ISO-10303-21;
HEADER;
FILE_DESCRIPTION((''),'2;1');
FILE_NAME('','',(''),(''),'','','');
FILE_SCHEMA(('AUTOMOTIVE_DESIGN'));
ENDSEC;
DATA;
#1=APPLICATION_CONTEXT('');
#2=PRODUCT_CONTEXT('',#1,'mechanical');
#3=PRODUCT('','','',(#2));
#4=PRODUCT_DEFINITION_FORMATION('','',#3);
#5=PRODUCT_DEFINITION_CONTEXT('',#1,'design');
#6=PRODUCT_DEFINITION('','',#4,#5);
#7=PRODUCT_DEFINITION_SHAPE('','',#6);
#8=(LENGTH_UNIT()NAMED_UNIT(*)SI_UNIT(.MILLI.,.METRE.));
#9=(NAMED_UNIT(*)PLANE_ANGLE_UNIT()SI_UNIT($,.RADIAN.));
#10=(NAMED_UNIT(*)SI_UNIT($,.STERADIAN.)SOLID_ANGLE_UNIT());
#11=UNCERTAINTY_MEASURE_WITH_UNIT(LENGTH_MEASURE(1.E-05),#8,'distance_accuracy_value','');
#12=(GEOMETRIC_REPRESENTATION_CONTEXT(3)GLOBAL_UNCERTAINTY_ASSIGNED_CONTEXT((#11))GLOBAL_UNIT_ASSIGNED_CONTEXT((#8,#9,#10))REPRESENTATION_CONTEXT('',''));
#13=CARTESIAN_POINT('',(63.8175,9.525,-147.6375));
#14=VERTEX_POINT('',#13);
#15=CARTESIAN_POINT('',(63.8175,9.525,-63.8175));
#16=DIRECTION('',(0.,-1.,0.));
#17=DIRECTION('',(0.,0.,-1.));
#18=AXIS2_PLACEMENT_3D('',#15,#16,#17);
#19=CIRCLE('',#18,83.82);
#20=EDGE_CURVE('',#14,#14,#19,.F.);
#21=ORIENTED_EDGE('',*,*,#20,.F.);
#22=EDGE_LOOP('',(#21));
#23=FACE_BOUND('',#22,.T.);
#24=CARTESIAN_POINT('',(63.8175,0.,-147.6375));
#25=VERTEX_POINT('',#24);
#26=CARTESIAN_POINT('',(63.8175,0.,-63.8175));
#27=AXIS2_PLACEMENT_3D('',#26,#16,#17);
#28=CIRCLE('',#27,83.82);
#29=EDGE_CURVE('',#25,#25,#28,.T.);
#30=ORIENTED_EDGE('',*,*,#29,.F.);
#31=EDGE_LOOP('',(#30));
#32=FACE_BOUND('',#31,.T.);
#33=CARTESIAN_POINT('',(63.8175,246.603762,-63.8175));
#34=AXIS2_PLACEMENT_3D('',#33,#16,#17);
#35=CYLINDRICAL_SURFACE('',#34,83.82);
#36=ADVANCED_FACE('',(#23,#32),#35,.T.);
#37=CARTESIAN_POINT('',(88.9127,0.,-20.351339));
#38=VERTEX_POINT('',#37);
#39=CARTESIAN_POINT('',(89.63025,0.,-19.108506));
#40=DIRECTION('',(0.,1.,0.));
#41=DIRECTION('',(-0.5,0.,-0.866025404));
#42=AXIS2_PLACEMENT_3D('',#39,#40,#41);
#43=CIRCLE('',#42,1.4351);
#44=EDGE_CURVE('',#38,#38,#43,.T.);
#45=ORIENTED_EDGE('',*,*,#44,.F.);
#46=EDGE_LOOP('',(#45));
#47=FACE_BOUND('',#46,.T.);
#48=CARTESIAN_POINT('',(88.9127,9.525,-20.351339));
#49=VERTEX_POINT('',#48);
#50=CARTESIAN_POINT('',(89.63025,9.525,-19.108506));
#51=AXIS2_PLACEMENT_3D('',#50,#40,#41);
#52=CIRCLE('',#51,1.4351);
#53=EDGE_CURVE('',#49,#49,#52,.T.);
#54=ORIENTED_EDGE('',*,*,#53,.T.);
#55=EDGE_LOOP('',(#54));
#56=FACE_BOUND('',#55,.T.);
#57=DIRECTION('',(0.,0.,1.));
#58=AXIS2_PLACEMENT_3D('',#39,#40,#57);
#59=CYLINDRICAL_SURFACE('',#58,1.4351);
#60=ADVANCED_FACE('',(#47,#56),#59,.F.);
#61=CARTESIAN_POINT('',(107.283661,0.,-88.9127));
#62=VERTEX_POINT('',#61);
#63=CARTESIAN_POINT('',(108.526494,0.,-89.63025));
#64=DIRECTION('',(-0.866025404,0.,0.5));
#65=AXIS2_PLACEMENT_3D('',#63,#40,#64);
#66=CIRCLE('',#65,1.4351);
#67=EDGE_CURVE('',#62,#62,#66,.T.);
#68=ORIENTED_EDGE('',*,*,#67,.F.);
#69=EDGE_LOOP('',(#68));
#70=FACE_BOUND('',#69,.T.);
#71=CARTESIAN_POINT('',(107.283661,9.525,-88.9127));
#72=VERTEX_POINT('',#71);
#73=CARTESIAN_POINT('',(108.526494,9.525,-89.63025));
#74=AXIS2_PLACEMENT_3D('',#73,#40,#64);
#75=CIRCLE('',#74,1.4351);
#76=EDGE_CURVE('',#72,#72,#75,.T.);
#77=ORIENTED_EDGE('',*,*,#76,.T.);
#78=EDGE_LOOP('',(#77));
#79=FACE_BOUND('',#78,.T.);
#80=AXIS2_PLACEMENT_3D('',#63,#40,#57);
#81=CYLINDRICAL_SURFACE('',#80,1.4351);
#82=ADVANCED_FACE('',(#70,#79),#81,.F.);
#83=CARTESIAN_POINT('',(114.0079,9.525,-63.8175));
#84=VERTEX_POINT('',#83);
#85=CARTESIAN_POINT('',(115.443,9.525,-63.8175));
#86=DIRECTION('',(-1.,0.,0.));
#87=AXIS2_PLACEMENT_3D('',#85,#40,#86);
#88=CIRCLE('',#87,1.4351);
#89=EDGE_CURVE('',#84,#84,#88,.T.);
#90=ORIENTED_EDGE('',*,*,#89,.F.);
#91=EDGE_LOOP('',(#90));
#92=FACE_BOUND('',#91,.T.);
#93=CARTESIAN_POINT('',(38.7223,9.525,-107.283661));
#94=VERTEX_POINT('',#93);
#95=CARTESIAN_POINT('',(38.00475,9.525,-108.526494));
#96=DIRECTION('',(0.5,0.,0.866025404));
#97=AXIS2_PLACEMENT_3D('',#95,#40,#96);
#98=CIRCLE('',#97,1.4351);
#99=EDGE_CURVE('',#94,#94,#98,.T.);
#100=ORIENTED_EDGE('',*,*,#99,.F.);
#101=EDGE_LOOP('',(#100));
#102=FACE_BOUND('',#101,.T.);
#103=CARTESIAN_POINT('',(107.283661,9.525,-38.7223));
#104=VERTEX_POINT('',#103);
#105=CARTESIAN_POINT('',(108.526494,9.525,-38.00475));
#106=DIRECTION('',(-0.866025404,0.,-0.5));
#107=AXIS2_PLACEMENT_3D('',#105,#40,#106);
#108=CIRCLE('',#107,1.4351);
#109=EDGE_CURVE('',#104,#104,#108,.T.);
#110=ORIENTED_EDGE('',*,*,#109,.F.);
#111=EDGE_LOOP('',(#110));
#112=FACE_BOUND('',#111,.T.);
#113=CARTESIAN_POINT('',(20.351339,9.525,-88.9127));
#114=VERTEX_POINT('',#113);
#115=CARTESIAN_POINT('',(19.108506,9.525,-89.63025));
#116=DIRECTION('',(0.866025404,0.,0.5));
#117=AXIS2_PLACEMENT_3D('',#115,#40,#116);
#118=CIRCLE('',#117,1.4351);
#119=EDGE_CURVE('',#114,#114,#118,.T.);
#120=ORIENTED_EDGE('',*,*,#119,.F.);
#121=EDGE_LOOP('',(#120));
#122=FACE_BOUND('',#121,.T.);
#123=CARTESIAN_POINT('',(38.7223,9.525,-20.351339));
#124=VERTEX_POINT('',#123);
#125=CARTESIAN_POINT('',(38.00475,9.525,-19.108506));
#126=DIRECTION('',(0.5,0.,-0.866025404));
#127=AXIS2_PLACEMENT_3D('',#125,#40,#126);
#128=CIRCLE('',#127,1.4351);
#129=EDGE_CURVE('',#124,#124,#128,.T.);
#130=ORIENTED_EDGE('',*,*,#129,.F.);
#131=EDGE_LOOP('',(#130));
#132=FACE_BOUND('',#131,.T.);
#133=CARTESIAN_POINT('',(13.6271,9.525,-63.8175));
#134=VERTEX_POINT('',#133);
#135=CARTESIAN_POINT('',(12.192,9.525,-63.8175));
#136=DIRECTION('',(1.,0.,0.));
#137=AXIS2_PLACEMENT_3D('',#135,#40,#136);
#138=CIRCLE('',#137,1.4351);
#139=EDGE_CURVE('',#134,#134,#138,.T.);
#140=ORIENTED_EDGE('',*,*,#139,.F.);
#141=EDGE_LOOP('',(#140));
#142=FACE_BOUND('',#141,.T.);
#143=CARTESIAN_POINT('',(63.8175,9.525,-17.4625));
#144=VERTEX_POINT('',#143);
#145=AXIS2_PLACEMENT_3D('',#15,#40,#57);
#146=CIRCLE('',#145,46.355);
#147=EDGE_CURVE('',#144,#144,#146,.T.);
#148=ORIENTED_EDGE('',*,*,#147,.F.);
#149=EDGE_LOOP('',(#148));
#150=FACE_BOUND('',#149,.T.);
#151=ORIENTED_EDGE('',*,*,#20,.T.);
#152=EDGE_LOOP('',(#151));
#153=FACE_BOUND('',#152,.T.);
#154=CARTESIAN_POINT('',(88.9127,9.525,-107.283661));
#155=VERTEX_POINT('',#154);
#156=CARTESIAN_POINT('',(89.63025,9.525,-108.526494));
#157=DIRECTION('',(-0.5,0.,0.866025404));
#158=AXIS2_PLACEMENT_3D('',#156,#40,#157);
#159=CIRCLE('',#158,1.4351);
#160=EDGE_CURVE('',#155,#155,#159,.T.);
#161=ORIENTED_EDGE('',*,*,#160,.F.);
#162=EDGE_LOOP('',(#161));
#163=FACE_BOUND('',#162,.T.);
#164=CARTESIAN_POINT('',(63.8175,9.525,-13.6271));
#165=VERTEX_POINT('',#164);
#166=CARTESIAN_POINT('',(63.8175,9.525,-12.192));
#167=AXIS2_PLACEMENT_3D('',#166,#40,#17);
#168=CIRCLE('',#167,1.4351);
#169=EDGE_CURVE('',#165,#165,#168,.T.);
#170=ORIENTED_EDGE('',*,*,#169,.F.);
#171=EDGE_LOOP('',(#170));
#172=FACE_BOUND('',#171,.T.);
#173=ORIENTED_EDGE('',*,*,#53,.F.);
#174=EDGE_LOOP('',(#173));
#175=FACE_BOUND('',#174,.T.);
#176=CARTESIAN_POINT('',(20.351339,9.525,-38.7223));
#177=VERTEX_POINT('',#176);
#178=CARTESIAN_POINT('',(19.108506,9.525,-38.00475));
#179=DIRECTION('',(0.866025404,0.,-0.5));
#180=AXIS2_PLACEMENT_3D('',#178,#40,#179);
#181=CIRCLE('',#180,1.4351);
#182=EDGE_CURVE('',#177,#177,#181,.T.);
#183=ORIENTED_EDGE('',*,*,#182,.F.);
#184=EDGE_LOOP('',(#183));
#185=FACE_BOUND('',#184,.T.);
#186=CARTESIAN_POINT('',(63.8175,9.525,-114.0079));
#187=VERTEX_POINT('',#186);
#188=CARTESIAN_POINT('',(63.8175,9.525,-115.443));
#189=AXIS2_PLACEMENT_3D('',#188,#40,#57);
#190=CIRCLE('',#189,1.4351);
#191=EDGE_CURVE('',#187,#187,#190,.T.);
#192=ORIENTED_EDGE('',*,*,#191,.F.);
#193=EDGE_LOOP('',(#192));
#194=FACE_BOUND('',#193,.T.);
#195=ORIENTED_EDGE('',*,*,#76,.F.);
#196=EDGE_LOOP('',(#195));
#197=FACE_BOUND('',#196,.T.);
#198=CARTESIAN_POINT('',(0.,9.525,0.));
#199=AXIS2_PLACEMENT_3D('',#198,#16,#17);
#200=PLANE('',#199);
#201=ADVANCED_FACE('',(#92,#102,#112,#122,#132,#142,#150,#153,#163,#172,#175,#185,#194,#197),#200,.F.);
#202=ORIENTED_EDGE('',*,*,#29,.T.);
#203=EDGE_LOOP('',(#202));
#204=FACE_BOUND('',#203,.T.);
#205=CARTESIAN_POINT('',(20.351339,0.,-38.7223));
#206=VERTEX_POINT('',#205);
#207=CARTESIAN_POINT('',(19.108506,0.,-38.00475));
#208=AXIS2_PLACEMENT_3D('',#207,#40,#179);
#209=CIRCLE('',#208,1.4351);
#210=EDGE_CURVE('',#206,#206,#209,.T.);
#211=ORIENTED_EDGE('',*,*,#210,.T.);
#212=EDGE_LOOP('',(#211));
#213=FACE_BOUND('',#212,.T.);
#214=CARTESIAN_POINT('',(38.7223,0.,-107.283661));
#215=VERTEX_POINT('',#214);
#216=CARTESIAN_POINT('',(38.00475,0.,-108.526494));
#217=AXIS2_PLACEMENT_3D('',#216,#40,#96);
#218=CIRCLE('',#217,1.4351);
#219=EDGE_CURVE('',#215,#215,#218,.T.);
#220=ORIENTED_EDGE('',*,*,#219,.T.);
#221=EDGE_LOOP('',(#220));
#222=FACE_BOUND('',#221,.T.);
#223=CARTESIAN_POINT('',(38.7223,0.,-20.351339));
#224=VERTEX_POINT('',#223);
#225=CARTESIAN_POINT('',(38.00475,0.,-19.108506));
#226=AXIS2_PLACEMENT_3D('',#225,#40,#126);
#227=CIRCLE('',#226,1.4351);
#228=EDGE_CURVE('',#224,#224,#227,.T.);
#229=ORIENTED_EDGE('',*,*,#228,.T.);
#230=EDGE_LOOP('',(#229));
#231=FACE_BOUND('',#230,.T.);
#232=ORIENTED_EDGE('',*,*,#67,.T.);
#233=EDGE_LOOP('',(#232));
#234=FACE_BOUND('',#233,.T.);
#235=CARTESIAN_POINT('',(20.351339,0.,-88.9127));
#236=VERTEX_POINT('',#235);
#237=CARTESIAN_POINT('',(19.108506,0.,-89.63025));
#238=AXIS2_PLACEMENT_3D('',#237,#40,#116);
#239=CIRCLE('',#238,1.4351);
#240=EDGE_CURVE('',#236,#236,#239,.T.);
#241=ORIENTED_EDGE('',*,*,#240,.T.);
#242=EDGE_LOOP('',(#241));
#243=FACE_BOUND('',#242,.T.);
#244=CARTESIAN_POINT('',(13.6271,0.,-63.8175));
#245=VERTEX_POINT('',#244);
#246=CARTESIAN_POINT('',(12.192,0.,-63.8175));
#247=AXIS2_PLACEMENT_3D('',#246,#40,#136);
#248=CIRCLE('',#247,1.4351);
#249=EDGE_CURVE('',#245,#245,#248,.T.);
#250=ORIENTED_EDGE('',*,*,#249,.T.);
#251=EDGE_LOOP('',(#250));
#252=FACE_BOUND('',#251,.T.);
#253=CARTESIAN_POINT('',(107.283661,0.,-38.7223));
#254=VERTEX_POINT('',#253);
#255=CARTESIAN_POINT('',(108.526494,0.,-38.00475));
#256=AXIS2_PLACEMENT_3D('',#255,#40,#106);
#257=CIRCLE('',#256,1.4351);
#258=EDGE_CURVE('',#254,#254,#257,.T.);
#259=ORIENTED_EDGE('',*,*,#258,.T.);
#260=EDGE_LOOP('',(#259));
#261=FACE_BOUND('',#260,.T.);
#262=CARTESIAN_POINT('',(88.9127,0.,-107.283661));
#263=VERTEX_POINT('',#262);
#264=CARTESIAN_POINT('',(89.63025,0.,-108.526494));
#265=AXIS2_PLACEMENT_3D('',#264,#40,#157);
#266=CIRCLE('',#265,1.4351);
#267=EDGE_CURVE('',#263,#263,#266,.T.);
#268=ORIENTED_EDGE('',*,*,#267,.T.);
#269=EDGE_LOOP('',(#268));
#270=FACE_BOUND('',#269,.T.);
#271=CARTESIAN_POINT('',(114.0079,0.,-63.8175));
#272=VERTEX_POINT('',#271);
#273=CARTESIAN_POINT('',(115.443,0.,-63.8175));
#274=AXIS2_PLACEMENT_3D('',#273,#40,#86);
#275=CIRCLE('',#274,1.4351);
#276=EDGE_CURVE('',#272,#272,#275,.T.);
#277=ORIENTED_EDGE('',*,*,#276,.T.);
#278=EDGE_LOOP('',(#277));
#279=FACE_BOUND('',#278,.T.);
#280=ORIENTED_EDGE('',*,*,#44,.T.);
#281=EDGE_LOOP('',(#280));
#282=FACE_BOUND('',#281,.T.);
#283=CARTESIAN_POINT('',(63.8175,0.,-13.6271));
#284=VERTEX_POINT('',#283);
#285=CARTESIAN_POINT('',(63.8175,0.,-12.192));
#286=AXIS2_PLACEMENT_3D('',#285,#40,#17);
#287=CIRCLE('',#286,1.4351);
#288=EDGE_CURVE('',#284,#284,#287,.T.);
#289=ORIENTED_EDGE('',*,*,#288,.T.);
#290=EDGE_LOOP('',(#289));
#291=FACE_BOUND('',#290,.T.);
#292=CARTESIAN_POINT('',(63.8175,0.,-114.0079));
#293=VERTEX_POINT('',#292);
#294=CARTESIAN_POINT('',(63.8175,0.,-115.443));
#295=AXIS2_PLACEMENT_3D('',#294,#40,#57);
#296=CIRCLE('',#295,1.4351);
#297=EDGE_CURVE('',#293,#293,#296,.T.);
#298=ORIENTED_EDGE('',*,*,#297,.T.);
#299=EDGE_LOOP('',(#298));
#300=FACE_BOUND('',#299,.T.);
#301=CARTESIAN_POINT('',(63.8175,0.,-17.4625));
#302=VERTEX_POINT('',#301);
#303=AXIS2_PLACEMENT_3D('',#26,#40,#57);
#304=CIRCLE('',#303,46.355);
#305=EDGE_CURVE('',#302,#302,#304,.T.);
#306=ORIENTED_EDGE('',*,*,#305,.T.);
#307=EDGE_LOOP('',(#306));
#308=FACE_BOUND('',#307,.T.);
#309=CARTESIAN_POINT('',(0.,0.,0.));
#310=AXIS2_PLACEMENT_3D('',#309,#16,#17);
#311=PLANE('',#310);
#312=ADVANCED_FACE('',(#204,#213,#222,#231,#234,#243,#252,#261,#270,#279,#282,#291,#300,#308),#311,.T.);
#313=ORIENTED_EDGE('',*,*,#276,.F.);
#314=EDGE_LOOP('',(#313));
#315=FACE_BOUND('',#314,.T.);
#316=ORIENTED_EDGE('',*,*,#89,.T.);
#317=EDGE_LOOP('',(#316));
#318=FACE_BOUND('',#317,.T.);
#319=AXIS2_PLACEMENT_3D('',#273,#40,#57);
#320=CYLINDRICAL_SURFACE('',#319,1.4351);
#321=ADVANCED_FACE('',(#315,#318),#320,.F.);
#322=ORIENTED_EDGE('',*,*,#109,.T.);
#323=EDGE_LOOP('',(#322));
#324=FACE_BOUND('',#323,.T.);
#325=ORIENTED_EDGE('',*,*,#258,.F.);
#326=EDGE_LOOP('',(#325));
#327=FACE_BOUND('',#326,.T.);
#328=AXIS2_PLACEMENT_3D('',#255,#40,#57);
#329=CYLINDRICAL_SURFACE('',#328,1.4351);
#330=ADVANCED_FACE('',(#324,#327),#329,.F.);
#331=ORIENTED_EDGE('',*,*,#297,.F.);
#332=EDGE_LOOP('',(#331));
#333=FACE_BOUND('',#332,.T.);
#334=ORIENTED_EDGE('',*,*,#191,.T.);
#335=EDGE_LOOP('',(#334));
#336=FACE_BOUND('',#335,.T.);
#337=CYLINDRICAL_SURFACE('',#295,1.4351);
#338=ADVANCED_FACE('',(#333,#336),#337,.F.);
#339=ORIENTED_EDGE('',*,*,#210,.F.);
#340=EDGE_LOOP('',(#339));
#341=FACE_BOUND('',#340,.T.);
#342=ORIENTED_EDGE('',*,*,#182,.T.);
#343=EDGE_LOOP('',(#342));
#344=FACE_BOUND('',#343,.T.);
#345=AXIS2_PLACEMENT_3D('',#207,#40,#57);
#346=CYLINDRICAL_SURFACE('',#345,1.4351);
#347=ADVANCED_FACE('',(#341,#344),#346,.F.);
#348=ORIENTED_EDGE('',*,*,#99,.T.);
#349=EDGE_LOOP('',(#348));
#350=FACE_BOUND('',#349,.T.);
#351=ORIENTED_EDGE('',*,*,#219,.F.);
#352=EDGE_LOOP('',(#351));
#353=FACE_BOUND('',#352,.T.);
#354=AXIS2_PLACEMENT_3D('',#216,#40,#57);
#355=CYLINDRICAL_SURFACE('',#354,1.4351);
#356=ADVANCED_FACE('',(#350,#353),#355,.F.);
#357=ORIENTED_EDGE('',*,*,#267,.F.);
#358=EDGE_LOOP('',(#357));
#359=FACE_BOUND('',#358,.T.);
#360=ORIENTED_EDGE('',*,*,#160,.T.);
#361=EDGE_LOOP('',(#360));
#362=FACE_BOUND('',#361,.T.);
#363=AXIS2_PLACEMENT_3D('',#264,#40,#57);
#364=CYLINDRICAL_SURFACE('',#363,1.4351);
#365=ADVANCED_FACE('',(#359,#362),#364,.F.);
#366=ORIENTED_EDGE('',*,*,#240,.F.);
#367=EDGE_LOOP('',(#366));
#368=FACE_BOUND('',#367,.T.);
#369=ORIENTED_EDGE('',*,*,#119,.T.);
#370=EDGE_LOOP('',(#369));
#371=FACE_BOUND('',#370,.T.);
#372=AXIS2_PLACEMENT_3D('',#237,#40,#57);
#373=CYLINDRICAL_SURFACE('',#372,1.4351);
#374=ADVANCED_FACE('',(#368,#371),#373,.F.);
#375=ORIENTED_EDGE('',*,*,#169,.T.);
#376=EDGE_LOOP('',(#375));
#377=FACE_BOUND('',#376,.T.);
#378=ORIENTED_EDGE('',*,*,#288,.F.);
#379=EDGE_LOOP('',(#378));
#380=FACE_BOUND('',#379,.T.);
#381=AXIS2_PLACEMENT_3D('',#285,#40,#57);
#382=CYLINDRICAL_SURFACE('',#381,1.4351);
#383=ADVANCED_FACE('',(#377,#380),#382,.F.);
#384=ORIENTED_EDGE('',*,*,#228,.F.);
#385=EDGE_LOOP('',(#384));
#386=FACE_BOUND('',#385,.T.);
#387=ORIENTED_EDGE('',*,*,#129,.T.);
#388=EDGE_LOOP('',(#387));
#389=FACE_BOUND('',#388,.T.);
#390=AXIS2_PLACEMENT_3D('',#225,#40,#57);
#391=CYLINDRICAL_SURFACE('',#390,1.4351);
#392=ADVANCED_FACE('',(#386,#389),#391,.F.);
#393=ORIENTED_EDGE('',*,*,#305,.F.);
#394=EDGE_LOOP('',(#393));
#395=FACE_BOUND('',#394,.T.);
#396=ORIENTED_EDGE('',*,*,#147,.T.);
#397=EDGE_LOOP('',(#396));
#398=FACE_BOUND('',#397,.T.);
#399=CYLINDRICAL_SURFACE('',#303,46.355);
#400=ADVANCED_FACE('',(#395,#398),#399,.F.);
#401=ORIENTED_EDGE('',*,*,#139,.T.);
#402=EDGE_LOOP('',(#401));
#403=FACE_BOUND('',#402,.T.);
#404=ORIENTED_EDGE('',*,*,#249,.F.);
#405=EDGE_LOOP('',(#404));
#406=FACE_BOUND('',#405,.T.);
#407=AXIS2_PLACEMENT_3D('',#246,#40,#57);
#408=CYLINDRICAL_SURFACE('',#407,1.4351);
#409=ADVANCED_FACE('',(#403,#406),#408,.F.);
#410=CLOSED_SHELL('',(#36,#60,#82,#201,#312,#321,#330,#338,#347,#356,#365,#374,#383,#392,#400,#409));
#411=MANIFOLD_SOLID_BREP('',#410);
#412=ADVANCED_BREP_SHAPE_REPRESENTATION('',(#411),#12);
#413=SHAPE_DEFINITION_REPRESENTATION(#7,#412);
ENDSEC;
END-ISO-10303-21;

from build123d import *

# Parameters (mm, degrees)
SKETCH1_W           = 127.635
SKETCH1_H           = 127.635
BOSS_EXTRUDE1_DEPTH = 9.525
SKETCH12_R          = 83.82
BOSS_EXTRUDE2_DEPTH = 9.525
SKETCH13_R          = 104.928492752
SKETCH13_R_2        = 83.82
CUT_EXTRUDE4_DEPTH  = 9.525
SKETCH5_R           = 46.355
CUT_EXTRUDE1_DEPTH  = 9.525
SKETCH11_R          = 1.4351
CUT_EXTRUDE3_DEPTH  = 10.525
CIRPATTERN1_COUNT   = 12


with BuildPart() as part:
    # Sketch1 → Boss-Extrude1 (new body)
    with BuildSketch(Plane(origin=(0, 0, 0), x_dir=(1, 0, 0), z_dir=(0, 1, 0))):
        with Locations((63.8175, 63.8175)):
            Rectangle(SKETCH1_W, SKETCH1_H)
    extrude(amount=BOSS_EXTRUDE1_DEPTH)

    # Sketch12 → Boss-Extrude2 (add)
    with BuildSketch(Plane.XZ):
        with Locations((63.8175, -63.8175)):
            Circle(SKETCH12_R)
    extrude(amount=-BOSS_EXTRUDE2_DEPTH)

    # Sketch13 → Cut-Extrude4 (cut)
    with BuildSketch(Plane(origin=(0, 0, 0), x_dir=(-1, 0, 0), z_dir=(0, -1, 0))):
        with Locations((-63.8175, 63.8175)):
            Circle(SKETCH13_R)
        with Locations((-63.8175, 63.8175)):
            Circle(SKETCH13_R_2, mode=Mode.SUBTRACT)
    extrude(amount=-CUT_EXTRUDE4_DEPTH, mode=Mode.SUBTRACT)

    # Sketch5 → Cut-Extrude1 (cut)
    with BuildSketch(Plane(origin=(0, 9.525, 0), x_dir=(1, 0, 0), z_dir=(0, 1, 0))):
        with Locations((63.8175, 63.8175)):
            Circle(SKETCH5_R)
    extrude(amount=-CUT_EXTRUDE1_DEPTH, mode=Mode.SUBTRACT)

    # Sketch11 → Cut-Extrude3 (cut, through all)
    with BuildSketch(Plane(origin=(0, 9.525, 0), x_dir=(1, 0, 0), z_dir=(0, 1, 0))):
        with Locations((63.8175, 115.443)):
            Circle(SKETCH11_R)
    cut_extrude3 = extrude(amount=-CUT_EXTRUDE3_DEPTH, mode=Mode.SUBTRACT)

    # CirPattern1: Cut-Extrude3 ×12 about axis
    cirpattern1_axis = Axis((63.8175, 0, -63.8175), (0, 1, 0))
    for i in range(1, CIRPATTERN1_COUNT):
        add(cut_extrude3.rotate(cirpattern1_axis, i * 360 / CIRPATTERN1_COUNT), mode=Mode.SUBTRACT)


solid = part.part
